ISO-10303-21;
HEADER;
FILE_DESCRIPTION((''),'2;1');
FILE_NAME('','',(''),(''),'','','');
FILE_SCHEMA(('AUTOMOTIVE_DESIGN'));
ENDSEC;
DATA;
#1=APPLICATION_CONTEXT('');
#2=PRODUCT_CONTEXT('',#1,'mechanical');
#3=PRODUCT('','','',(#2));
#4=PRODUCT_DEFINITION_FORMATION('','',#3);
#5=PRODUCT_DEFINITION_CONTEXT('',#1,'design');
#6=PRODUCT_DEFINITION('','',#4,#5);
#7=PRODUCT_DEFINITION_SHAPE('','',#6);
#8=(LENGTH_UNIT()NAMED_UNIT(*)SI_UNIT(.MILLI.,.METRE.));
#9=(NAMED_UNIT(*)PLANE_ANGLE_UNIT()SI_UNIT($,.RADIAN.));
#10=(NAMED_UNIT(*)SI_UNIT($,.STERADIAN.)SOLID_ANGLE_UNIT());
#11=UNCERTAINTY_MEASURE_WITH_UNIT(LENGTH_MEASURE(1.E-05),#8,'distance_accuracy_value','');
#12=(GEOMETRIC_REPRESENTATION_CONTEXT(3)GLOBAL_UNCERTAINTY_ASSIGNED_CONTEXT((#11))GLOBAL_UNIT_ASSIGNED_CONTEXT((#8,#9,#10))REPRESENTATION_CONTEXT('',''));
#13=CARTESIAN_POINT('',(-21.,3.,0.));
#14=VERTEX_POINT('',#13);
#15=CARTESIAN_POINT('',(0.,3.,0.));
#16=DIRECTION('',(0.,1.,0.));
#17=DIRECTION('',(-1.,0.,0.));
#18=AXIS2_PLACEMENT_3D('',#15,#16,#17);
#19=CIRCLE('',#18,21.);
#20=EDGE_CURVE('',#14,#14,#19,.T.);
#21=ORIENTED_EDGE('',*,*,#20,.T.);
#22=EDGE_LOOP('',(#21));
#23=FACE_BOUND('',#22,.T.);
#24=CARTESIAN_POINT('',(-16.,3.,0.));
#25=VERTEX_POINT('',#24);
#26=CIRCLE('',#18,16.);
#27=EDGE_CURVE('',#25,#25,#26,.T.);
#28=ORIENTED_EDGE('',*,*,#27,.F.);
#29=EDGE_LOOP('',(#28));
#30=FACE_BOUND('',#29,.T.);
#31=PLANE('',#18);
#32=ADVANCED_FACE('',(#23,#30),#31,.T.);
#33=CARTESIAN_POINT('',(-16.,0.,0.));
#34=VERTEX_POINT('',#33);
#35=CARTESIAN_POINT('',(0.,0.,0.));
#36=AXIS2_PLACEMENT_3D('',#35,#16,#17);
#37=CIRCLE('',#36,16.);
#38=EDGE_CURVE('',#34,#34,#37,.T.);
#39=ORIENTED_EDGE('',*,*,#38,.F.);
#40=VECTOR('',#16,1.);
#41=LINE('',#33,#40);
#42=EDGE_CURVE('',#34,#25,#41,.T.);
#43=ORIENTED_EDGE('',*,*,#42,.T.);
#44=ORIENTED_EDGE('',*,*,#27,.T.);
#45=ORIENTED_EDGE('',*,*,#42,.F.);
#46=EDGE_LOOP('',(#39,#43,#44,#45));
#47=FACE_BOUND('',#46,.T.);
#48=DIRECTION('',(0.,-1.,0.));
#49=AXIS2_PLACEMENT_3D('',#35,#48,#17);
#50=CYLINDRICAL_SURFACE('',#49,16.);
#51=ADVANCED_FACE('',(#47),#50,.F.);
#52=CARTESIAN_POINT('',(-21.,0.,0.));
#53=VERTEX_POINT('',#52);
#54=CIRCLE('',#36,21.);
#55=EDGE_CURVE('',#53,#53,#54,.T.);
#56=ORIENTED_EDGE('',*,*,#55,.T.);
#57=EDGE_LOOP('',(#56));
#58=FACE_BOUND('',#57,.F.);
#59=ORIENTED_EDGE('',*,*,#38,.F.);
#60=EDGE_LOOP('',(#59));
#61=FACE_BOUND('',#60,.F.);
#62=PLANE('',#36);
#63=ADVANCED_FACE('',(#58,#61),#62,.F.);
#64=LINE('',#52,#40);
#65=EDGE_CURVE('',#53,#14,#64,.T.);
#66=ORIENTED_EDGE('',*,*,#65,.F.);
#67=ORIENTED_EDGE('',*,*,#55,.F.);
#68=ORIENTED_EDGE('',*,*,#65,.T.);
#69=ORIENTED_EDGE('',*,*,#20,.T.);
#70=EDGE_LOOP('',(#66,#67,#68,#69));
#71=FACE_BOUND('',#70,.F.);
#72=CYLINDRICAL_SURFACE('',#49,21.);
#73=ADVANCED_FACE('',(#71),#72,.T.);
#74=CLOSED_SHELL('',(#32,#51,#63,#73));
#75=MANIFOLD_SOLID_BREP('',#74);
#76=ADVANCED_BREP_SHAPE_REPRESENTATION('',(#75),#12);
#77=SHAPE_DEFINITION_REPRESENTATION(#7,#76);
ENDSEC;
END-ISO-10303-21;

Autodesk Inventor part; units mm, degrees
ref_plane "YZ Plane" through (0, 0, 0) normal (1, 0, 0) x (0, 1, 0)
ref_plane "XZ Plane" through (0, 0, 0) normal (0, 1, 0) x (-1, 0, 0)
ref_plane "XY Plane" through (0, 0, 0) normal (0, 0, 1) x (1, 0, 0)
sketch "Sketch1" plane through (0, 0, 0) normal (0, 1, 0) x (-1, 0, 0)
  circle A0 centre (0, 0) radius 16
  circle A1 centre (0, 0) radius 21
  dimension "d0" = 32
  dimension "d1" = 5
extrude "Extrusion1" add sketch "Sketch1" along normal blind 3
properties part number "MerevitesInkrementalisFolia" material "Polycarbonate, Clear"
